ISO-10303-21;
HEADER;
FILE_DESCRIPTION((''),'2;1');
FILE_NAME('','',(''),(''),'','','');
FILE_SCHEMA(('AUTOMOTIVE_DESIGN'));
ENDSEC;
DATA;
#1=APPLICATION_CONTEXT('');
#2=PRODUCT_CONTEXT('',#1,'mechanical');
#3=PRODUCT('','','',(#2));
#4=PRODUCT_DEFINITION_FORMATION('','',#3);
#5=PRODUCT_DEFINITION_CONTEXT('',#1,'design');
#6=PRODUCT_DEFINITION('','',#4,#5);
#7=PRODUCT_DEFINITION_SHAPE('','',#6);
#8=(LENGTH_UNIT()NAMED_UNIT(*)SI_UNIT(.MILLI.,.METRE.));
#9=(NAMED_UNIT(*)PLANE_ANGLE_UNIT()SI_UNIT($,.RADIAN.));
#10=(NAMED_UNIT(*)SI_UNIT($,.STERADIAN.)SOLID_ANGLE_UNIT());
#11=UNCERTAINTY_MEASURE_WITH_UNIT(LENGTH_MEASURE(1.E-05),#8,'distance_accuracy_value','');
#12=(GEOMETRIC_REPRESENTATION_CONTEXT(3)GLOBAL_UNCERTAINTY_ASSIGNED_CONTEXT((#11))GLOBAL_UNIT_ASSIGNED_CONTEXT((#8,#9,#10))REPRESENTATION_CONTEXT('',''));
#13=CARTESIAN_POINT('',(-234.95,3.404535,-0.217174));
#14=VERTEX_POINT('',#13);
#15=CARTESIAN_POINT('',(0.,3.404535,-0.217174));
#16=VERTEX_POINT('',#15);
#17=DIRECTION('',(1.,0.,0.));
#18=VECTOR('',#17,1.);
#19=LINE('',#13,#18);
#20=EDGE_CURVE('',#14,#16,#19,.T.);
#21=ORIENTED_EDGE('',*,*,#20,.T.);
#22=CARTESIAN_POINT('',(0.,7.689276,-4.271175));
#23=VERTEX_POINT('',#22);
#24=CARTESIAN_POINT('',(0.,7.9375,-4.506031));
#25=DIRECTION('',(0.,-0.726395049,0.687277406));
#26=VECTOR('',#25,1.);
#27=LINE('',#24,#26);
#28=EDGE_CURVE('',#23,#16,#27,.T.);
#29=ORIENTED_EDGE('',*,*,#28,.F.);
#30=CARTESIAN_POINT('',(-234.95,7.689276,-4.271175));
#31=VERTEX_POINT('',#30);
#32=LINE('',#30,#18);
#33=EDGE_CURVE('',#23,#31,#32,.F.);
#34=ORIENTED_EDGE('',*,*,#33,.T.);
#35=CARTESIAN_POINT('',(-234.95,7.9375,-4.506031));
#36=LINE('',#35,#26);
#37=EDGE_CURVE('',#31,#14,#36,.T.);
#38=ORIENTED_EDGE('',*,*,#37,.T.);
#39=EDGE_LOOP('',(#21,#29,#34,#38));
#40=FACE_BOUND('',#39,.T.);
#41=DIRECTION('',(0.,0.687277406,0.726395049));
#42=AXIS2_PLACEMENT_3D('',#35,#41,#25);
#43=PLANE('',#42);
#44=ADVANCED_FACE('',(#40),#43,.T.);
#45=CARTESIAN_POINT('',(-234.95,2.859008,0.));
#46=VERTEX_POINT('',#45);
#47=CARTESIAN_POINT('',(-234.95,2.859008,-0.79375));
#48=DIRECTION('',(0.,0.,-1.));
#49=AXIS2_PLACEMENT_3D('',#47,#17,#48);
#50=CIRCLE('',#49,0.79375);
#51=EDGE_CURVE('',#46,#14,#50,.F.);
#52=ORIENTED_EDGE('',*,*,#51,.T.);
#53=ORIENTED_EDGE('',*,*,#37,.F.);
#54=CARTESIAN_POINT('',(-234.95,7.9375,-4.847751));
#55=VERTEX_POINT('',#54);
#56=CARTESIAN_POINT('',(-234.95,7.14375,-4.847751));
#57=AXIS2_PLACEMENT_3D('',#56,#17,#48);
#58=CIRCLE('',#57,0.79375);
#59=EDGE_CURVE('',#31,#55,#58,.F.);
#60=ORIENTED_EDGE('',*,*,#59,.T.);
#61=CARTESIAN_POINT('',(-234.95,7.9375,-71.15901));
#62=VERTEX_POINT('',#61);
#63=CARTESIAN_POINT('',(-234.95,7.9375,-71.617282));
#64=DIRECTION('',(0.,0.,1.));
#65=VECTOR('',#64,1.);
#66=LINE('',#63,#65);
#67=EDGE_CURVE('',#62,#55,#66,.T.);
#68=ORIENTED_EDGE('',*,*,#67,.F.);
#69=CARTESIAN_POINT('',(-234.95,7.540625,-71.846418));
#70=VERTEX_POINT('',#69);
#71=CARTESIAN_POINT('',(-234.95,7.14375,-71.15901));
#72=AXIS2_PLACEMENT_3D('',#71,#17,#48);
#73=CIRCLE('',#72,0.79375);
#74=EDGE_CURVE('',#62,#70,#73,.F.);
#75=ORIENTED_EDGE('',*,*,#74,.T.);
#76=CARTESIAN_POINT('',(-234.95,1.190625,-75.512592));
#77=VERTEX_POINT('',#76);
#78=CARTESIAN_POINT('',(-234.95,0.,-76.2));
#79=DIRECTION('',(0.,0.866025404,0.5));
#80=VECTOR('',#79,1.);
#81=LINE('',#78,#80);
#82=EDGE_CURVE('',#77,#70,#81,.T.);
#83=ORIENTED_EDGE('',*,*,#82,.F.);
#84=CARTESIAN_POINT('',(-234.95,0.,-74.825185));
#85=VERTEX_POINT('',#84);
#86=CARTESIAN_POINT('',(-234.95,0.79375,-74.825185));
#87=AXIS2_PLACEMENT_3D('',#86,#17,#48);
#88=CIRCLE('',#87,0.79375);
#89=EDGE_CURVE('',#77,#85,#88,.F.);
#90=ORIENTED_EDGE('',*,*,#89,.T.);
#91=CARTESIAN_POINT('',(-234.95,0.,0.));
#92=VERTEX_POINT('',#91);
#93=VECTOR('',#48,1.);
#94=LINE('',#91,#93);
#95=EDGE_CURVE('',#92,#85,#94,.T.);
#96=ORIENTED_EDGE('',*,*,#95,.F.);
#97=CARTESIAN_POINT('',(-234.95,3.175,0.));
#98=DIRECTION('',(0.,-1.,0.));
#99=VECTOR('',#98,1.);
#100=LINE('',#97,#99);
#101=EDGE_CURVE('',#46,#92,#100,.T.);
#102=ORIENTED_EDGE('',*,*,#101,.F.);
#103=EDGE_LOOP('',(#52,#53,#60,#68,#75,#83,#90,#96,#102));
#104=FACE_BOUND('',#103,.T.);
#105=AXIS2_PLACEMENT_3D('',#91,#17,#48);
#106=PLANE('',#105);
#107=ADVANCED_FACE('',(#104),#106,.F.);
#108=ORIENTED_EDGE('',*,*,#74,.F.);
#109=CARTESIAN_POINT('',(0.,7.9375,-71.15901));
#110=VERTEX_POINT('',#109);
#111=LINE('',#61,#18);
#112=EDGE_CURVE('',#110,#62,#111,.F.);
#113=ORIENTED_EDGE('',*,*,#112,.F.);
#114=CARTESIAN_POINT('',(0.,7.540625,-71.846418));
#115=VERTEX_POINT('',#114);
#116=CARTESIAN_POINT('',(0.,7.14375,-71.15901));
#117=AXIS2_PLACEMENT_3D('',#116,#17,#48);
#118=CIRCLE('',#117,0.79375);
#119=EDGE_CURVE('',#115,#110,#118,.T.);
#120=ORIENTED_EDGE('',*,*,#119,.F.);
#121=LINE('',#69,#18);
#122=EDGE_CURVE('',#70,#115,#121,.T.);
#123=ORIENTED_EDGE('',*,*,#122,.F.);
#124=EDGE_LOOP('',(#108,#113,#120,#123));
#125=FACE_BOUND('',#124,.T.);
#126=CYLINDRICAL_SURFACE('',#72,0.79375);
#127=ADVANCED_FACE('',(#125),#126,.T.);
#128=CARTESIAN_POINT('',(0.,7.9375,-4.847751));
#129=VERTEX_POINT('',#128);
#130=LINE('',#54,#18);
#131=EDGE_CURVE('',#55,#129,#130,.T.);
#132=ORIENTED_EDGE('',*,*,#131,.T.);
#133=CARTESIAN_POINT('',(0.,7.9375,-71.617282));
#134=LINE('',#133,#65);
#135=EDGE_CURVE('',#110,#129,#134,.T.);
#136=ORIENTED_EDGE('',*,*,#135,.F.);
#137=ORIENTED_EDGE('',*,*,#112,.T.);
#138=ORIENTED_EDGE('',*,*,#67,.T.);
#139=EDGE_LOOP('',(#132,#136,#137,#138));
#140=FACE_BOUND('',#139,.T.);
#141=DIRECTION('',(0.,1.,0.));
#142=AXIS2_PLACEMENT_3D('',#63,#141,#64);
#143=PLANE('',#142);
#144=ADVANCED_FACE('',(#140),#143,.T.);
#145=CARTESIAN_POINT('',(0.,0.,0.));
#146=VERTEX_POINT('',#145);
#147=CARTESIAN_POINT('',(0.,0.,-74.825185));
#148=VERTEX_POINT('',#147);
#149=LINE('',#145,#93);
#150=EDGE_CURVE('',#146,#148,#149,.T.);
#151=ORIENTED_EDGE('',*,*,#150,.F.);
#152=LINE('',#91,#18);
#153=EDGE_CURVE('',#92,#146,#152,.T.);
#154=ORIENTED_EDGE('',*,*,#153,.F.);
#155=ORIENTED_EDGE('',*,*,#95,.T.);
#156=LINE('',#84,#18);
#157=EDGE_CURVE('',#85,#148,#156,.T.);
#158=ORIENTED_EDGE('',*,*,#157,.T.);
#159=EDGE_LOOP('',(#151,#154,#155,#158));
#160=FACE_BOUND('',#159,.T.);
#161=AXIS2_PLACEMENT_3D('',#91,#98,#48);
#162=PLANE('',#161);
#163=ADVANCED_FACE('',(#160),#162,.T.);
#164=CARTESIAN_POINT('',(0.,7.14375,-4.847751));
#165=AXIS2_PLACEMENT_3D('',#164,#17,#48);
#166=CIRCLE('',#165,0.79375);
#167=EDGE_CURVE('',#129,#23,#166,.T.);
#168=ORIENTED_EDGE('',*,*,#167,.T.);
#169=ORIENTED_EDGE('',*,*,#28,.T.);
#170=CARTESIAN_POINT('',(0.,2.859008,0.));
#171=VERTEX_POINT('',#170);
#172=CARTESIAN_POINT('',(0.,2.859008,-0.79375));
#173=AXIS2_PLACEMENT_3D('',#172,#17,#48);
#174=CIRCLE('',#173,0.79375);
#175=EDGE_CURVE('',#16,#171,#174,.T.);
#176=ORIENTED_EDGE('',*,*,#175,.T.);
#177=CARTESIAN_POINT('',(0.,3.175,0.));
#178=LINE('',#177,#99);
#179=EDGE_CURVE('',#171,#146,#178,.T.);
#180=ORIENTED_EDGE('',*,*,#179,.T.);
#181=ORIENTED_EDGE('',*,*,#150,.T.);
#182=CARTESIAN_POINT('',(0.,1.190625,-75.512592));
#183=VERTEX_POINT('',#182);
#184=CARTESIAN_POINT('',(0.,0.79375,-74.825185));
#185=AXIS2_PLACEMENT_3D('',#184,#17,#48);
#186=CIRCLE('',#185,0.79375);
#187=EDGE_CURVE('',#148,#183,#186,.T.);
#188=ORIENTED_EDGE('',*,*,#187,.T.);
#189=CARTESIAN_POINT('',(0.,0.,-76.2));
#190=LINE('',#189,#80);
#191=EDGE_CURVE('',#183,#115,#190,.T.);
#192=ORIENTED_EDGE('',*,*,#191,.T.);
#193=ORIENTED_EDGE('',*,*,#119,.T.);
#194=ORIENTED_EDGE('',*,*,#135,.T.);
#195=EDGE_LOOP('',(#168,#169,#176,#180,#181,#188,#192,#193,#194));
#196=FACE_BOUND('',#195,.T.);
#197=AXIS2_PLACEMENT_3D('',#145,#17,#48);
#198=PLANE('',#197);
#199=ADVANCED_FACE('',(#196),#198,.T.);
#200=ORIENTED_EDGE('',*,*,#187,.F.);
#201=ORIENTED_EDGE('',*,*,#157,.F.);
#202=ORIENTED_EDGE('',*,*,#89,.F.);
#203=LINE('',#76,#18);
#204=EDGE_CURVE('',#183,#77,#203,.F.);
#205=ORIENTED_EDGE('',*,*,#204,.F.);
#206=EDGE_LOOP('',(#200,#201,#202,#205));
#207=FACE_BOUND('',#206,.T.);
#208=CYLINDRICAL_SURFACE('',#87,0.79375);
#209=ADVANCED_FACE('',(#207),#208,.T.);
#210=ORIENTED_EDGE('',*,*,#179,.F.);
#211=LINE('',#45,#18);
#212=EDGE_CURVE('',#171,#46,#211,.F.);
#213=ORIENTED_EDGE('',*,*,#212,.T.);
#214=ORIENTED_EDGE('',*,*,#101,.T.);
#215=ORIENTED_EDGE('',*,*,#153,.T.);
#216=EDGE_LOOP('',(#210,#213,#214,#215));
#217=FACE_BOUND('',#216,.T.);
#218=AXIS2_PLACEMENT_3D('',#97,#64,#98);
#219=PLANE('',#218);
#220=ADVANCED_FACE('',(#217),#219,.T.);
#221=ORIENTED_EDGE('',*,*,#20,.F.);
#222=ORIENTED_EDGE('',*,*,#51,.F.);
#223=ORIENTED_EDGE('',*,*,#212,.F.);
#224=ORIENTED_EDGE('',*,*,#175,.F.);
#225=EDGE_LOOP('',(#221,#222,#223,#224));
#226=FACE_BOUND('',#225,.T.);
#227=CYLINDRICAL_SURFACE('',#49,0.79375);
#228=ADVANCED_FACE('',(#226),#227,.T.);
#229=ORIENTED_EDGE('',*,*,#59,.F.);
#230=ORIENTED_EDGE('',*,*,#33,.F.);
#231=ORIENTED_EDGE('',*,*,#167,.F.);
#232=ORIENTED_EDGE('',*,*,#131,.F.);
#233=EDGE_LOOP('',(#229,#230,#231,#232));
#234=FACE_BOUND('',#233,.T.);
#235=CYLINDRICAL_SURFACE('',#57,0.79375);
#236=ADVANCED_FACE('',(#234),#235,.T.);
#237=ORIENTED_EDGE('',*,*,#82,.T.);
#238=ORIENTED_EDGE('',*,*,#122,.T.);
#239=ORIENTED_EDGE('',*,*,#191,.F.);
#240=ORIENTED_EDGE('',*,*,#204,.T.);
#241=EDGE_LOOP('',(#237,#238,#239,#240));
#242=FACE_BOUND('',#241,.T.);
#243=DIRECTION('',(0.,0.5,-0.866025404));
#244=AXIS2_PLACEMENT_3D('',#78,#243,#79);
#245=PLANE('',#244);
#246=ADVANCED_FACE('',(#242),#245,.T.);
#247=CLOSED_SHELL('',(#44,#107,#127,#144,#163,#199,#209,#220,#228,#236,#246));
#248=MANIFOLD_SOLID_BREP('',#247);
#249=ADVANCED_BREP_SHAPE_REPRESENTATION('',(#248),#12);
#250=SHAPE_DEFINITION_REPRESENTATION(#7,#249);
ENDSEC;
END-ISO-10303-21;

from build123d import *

# Parameters (mm, degrees)
BOSS_EXTRUDE1_DEPTH = 234.95
FILLET1_R           = 0.79375


with BuildPart() as part:
    # Sketch1 → Boss-Extrude1 (new body)
    with BuildSketch(Plane(origin=(0, 0, 0), x_dir=(0, 0, -1), z_dir=(1, 0, 0))):
        Polygon((0, 0), (76.2, 0), (71.617282238, 7.9375), (4.506031045, 7.9375), (0, 3.175), align=None)
    extrude(amount=-BOSS_EXTRUDE1_DEPTH)

    # Fillet1
    fillet1_edges = [part.edges().sort_by_distance(p)[0] for p in [
        (-117.475, 3.175, 0),
        (-117.475, 7.9375, -4.506031045),
        (-117.475, 7.9375, -71.617282238),
        (-117.475, 0, -76.2),
    ]]
    fillet(fillet1_edges, radius=FILLET1_R)


solid = part.part
